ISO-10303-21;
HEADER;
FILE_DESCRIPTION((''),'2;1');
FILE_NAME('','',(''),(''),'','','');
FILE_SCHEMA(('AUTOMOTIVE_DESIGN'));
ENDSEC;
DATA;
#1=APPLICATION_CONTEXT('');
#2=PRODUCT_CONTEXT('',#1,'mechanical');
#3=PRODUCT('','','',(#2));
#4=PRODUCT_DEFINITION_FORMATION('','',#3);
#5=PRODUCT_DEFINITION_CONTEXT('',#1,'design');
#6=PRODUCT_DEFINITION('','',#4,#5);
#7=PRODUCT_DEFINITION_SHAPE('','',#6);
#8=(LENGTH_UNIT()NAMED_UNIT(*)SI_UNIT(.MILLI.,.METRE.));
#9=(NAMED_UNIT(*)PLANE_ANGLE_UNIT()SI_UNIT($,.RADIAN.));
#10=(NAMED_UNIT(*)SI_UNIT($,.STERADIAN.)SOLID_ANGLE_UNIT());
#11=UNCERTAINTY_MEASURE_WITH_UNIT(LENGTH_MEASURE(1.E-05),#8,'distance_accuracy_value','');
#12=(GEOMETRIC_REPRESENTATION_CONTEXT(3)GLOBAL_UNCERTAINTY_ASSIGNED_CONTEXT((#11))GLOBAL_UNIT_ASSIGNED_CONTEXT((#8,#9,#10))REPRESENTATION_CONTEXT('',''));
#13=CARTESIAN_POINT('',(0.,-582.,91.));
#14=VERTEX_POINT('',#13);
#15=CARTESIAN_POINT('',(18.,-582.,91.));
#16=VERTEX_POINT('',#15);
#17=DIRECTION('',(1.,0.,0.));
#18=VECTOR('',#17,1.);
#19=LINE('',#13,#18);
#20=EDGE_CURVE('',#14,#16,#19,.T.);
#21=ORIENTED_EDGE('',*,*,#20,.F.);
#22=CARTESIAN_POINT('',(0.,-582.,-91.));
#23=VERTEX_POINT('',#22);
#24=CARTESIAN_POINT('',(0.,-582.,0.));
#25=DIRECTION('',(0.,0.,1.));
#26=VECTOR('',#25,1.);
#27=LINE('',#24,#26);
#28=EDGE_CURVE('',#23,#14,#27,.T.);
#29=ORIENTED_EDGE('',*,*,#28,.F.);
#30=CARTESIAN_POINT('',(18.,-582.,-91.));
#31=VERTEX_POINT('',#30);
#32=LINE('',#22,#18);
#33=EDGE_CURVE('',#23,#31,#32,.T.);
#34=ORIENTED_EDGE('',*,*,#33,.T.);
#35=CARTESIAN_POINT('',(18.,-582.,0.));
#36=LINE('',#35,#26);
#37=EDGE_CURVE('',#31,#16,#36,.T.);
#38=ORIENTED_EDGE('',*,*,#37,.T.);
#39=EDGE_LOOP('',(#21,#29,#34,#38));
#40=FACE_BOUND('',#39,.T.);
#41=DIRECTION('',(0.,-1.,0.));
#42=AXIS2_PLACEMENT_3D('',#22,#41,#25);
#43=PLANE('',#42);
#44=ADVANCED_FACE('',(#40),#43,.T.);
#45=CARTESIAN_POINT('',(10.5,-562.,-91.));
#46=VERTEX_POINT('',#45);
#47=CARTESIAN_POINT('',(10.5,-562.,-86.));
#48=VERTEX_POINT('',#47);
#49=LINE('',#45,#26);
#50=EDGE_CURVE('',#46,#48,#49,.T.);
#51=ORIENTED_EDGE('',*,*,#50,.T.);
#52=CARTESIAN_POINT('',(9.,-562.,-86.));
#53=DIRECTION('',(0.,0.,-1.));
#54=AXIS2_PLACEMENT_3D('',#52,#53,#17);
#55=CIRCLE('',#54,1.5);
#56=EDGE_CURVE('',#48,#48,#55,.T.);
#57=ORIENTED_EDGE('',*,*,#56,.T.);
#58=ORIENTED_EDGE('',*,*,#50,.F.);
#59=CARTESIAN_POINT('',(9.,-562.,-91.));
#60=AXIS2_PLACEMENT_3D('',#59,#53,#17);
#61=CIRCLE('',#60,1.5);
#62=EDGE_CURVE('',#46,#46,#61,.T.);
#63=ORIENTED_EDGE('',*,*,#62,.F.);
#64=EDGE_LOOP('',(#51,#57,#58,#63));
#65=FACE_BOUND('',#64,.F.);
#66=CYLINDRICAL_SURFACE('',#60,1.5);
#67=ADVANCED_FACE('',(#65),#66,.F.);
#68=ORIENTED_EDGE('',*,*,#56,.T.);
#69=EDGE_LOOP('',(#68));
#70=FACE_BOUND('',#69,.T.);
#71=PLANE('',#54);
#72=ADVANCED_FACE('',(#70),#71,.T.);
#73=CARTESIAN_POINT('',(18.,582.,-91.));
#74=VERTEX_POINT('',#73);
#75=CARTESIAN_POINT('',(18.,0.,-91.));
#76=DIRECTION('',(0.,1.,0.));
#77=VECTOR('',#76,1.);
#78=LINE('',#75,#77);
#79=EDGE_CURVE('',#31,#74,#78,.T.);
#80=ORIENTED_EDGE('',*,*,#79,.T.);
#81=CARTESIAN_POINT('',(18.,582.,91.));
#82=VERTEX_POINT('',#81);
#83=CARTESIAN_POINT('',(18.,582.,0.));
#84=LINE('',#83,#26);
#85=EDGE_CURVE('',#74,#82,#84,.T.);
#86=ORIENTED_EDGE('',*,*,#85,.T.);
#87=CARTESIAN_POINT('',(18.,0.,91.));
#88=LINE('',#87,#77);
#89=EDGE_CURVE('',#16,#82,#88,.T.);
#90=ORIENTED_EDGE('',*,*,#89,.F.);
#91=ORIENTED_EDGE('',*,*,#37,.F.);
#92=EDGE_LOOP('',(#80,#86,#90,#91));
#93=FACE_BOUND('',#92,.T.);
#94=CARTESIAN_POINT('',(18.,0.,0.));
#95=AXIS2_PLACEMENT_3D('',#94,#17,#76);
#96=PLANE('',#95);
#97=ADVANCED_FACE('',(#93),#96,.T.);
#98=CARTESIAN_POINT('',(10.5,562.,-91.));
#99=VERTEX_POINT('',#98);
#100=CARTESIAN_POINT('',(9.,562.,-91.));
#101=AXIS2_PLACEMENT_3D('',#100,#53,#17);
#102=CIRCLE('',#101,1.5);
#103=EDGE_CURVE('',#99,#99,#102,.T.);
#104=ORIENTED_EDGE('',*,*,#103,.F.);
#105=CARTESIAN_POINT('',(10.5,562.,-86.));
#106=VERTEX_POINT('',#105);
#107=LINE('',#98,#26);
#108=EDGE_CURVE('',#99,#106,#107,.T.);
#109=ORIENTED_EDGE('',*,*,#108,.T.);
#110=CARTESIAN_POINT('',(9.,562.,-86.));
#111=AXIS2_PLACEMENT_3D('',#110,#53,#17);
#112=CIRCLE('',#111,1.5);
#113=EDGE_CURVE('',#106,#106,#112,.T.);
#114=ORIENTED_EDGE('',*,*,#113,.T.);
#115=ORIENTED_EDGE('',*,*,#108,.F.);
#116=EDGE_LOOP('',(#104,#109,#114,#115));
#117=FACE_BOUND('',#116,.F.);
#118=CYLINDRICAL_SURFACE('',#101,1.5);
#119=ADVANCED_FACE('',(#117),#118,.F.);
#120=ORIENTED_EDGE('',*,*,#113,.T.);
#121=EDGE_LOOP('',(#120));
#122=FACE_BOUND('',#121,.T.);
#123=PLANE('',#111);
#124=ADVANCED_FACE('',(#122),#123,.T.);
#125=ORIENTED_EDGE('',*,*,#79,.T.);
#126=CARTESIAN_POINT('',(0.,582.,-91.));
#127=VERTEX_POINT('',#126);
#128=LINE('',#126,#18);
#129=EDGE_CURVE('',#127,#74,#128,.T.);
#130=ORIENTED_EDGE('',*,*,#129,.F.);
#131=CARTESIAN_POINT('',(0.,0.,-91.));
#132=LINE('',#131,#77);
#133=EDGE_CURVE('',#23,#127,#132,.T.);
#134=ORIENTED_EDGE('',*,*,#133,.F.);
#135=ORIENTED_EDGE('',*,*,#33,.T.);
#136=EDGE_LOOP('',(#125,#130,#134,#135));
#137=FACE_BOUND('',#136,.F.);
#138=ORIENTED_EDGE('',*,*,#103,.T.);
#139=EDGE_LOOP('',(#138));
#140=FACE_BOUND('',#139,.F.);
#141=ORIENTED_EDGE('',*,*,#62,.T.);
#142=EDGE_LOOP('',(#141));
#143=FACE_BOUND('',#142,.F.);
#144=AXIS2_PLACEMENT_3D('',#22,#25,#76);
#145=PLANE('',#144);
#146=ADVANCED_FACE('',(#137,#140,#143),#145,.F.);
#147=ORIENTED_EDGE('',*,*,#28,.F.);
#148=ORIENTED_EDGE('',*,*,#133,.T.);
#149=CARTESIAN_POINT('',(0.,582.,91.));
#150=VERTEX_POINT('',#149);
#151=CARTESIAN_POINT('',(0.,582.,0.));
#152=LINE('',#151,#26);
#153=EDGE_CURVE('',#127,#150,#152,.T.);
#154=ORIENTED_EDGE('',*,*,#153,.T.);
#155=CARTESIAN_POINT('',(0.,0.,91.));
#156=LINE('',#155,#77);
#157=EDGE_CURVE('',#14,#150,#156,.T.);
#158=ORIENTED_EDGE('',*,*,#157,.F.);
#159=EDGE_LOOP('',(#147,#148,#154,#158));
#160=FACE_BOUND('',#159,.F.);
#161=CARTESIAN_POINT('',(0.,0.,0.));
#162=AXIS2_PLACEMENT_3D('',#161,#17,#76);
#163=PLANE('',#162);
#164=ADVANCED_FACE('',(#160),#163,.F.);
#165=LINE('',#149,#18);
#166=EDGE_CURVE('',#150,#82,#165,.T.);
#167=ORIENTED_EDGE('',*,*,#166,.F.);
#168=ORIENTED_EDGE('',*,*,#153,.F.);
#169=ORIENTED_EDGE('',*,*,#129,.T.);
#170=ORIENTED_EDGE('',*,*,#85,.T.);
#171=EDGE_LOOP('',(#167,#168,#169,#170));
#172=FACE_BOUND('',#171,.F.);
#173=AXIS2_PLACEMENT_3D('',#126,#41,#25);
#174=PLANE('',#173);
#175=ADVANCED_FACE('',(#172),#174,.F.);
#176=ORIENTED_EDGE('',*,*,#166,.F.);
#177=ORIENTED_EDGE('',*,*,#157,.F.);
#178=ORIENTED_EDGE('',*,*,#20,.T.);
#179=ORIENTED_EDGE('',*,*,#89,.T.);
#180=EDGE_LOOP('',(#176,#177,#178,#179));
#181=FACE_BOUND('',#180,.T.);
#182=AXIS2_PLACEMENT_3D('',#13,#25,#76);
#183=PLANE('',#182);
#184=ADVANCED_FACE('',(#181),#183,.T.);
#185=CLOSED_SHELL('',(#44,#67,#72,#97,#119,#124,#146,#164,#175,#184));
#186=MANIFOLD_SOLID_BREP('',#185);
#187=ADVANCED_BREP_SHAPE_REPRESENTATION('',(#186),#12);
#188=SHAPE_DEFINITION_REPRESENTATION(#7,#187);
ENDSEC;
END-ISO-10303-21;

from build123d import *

# Parameters (mm, degrees)
F0_W     = 1164
F0_H     = 182
F1_DEPTH = 18
F2_R     = 1.5
F3_DEPTH = 5


with BuildPart() as f1:
    # F0 (on Right) → F1 (new body)
    with BuildSketch(Plane.YZ):
        Rectangle(F0_W, F0_H)
    extrude(amount=F1_DEPTH)

    # F2 (on face) → F3 (cut)
    with BuildSketch(Plane(origin=(0, 0, -91), x_dir=(1, 0, 0), z_dir=(0, 0, -1))):
        with Locations((9, 562)):
            Circle(F2_R)
        with Locations((9, -562)):
            Circle(F2_R)
    extrude(amount=-F3_DEPTH, mode=Mode.SUBTRACT)


solid = f1.part
